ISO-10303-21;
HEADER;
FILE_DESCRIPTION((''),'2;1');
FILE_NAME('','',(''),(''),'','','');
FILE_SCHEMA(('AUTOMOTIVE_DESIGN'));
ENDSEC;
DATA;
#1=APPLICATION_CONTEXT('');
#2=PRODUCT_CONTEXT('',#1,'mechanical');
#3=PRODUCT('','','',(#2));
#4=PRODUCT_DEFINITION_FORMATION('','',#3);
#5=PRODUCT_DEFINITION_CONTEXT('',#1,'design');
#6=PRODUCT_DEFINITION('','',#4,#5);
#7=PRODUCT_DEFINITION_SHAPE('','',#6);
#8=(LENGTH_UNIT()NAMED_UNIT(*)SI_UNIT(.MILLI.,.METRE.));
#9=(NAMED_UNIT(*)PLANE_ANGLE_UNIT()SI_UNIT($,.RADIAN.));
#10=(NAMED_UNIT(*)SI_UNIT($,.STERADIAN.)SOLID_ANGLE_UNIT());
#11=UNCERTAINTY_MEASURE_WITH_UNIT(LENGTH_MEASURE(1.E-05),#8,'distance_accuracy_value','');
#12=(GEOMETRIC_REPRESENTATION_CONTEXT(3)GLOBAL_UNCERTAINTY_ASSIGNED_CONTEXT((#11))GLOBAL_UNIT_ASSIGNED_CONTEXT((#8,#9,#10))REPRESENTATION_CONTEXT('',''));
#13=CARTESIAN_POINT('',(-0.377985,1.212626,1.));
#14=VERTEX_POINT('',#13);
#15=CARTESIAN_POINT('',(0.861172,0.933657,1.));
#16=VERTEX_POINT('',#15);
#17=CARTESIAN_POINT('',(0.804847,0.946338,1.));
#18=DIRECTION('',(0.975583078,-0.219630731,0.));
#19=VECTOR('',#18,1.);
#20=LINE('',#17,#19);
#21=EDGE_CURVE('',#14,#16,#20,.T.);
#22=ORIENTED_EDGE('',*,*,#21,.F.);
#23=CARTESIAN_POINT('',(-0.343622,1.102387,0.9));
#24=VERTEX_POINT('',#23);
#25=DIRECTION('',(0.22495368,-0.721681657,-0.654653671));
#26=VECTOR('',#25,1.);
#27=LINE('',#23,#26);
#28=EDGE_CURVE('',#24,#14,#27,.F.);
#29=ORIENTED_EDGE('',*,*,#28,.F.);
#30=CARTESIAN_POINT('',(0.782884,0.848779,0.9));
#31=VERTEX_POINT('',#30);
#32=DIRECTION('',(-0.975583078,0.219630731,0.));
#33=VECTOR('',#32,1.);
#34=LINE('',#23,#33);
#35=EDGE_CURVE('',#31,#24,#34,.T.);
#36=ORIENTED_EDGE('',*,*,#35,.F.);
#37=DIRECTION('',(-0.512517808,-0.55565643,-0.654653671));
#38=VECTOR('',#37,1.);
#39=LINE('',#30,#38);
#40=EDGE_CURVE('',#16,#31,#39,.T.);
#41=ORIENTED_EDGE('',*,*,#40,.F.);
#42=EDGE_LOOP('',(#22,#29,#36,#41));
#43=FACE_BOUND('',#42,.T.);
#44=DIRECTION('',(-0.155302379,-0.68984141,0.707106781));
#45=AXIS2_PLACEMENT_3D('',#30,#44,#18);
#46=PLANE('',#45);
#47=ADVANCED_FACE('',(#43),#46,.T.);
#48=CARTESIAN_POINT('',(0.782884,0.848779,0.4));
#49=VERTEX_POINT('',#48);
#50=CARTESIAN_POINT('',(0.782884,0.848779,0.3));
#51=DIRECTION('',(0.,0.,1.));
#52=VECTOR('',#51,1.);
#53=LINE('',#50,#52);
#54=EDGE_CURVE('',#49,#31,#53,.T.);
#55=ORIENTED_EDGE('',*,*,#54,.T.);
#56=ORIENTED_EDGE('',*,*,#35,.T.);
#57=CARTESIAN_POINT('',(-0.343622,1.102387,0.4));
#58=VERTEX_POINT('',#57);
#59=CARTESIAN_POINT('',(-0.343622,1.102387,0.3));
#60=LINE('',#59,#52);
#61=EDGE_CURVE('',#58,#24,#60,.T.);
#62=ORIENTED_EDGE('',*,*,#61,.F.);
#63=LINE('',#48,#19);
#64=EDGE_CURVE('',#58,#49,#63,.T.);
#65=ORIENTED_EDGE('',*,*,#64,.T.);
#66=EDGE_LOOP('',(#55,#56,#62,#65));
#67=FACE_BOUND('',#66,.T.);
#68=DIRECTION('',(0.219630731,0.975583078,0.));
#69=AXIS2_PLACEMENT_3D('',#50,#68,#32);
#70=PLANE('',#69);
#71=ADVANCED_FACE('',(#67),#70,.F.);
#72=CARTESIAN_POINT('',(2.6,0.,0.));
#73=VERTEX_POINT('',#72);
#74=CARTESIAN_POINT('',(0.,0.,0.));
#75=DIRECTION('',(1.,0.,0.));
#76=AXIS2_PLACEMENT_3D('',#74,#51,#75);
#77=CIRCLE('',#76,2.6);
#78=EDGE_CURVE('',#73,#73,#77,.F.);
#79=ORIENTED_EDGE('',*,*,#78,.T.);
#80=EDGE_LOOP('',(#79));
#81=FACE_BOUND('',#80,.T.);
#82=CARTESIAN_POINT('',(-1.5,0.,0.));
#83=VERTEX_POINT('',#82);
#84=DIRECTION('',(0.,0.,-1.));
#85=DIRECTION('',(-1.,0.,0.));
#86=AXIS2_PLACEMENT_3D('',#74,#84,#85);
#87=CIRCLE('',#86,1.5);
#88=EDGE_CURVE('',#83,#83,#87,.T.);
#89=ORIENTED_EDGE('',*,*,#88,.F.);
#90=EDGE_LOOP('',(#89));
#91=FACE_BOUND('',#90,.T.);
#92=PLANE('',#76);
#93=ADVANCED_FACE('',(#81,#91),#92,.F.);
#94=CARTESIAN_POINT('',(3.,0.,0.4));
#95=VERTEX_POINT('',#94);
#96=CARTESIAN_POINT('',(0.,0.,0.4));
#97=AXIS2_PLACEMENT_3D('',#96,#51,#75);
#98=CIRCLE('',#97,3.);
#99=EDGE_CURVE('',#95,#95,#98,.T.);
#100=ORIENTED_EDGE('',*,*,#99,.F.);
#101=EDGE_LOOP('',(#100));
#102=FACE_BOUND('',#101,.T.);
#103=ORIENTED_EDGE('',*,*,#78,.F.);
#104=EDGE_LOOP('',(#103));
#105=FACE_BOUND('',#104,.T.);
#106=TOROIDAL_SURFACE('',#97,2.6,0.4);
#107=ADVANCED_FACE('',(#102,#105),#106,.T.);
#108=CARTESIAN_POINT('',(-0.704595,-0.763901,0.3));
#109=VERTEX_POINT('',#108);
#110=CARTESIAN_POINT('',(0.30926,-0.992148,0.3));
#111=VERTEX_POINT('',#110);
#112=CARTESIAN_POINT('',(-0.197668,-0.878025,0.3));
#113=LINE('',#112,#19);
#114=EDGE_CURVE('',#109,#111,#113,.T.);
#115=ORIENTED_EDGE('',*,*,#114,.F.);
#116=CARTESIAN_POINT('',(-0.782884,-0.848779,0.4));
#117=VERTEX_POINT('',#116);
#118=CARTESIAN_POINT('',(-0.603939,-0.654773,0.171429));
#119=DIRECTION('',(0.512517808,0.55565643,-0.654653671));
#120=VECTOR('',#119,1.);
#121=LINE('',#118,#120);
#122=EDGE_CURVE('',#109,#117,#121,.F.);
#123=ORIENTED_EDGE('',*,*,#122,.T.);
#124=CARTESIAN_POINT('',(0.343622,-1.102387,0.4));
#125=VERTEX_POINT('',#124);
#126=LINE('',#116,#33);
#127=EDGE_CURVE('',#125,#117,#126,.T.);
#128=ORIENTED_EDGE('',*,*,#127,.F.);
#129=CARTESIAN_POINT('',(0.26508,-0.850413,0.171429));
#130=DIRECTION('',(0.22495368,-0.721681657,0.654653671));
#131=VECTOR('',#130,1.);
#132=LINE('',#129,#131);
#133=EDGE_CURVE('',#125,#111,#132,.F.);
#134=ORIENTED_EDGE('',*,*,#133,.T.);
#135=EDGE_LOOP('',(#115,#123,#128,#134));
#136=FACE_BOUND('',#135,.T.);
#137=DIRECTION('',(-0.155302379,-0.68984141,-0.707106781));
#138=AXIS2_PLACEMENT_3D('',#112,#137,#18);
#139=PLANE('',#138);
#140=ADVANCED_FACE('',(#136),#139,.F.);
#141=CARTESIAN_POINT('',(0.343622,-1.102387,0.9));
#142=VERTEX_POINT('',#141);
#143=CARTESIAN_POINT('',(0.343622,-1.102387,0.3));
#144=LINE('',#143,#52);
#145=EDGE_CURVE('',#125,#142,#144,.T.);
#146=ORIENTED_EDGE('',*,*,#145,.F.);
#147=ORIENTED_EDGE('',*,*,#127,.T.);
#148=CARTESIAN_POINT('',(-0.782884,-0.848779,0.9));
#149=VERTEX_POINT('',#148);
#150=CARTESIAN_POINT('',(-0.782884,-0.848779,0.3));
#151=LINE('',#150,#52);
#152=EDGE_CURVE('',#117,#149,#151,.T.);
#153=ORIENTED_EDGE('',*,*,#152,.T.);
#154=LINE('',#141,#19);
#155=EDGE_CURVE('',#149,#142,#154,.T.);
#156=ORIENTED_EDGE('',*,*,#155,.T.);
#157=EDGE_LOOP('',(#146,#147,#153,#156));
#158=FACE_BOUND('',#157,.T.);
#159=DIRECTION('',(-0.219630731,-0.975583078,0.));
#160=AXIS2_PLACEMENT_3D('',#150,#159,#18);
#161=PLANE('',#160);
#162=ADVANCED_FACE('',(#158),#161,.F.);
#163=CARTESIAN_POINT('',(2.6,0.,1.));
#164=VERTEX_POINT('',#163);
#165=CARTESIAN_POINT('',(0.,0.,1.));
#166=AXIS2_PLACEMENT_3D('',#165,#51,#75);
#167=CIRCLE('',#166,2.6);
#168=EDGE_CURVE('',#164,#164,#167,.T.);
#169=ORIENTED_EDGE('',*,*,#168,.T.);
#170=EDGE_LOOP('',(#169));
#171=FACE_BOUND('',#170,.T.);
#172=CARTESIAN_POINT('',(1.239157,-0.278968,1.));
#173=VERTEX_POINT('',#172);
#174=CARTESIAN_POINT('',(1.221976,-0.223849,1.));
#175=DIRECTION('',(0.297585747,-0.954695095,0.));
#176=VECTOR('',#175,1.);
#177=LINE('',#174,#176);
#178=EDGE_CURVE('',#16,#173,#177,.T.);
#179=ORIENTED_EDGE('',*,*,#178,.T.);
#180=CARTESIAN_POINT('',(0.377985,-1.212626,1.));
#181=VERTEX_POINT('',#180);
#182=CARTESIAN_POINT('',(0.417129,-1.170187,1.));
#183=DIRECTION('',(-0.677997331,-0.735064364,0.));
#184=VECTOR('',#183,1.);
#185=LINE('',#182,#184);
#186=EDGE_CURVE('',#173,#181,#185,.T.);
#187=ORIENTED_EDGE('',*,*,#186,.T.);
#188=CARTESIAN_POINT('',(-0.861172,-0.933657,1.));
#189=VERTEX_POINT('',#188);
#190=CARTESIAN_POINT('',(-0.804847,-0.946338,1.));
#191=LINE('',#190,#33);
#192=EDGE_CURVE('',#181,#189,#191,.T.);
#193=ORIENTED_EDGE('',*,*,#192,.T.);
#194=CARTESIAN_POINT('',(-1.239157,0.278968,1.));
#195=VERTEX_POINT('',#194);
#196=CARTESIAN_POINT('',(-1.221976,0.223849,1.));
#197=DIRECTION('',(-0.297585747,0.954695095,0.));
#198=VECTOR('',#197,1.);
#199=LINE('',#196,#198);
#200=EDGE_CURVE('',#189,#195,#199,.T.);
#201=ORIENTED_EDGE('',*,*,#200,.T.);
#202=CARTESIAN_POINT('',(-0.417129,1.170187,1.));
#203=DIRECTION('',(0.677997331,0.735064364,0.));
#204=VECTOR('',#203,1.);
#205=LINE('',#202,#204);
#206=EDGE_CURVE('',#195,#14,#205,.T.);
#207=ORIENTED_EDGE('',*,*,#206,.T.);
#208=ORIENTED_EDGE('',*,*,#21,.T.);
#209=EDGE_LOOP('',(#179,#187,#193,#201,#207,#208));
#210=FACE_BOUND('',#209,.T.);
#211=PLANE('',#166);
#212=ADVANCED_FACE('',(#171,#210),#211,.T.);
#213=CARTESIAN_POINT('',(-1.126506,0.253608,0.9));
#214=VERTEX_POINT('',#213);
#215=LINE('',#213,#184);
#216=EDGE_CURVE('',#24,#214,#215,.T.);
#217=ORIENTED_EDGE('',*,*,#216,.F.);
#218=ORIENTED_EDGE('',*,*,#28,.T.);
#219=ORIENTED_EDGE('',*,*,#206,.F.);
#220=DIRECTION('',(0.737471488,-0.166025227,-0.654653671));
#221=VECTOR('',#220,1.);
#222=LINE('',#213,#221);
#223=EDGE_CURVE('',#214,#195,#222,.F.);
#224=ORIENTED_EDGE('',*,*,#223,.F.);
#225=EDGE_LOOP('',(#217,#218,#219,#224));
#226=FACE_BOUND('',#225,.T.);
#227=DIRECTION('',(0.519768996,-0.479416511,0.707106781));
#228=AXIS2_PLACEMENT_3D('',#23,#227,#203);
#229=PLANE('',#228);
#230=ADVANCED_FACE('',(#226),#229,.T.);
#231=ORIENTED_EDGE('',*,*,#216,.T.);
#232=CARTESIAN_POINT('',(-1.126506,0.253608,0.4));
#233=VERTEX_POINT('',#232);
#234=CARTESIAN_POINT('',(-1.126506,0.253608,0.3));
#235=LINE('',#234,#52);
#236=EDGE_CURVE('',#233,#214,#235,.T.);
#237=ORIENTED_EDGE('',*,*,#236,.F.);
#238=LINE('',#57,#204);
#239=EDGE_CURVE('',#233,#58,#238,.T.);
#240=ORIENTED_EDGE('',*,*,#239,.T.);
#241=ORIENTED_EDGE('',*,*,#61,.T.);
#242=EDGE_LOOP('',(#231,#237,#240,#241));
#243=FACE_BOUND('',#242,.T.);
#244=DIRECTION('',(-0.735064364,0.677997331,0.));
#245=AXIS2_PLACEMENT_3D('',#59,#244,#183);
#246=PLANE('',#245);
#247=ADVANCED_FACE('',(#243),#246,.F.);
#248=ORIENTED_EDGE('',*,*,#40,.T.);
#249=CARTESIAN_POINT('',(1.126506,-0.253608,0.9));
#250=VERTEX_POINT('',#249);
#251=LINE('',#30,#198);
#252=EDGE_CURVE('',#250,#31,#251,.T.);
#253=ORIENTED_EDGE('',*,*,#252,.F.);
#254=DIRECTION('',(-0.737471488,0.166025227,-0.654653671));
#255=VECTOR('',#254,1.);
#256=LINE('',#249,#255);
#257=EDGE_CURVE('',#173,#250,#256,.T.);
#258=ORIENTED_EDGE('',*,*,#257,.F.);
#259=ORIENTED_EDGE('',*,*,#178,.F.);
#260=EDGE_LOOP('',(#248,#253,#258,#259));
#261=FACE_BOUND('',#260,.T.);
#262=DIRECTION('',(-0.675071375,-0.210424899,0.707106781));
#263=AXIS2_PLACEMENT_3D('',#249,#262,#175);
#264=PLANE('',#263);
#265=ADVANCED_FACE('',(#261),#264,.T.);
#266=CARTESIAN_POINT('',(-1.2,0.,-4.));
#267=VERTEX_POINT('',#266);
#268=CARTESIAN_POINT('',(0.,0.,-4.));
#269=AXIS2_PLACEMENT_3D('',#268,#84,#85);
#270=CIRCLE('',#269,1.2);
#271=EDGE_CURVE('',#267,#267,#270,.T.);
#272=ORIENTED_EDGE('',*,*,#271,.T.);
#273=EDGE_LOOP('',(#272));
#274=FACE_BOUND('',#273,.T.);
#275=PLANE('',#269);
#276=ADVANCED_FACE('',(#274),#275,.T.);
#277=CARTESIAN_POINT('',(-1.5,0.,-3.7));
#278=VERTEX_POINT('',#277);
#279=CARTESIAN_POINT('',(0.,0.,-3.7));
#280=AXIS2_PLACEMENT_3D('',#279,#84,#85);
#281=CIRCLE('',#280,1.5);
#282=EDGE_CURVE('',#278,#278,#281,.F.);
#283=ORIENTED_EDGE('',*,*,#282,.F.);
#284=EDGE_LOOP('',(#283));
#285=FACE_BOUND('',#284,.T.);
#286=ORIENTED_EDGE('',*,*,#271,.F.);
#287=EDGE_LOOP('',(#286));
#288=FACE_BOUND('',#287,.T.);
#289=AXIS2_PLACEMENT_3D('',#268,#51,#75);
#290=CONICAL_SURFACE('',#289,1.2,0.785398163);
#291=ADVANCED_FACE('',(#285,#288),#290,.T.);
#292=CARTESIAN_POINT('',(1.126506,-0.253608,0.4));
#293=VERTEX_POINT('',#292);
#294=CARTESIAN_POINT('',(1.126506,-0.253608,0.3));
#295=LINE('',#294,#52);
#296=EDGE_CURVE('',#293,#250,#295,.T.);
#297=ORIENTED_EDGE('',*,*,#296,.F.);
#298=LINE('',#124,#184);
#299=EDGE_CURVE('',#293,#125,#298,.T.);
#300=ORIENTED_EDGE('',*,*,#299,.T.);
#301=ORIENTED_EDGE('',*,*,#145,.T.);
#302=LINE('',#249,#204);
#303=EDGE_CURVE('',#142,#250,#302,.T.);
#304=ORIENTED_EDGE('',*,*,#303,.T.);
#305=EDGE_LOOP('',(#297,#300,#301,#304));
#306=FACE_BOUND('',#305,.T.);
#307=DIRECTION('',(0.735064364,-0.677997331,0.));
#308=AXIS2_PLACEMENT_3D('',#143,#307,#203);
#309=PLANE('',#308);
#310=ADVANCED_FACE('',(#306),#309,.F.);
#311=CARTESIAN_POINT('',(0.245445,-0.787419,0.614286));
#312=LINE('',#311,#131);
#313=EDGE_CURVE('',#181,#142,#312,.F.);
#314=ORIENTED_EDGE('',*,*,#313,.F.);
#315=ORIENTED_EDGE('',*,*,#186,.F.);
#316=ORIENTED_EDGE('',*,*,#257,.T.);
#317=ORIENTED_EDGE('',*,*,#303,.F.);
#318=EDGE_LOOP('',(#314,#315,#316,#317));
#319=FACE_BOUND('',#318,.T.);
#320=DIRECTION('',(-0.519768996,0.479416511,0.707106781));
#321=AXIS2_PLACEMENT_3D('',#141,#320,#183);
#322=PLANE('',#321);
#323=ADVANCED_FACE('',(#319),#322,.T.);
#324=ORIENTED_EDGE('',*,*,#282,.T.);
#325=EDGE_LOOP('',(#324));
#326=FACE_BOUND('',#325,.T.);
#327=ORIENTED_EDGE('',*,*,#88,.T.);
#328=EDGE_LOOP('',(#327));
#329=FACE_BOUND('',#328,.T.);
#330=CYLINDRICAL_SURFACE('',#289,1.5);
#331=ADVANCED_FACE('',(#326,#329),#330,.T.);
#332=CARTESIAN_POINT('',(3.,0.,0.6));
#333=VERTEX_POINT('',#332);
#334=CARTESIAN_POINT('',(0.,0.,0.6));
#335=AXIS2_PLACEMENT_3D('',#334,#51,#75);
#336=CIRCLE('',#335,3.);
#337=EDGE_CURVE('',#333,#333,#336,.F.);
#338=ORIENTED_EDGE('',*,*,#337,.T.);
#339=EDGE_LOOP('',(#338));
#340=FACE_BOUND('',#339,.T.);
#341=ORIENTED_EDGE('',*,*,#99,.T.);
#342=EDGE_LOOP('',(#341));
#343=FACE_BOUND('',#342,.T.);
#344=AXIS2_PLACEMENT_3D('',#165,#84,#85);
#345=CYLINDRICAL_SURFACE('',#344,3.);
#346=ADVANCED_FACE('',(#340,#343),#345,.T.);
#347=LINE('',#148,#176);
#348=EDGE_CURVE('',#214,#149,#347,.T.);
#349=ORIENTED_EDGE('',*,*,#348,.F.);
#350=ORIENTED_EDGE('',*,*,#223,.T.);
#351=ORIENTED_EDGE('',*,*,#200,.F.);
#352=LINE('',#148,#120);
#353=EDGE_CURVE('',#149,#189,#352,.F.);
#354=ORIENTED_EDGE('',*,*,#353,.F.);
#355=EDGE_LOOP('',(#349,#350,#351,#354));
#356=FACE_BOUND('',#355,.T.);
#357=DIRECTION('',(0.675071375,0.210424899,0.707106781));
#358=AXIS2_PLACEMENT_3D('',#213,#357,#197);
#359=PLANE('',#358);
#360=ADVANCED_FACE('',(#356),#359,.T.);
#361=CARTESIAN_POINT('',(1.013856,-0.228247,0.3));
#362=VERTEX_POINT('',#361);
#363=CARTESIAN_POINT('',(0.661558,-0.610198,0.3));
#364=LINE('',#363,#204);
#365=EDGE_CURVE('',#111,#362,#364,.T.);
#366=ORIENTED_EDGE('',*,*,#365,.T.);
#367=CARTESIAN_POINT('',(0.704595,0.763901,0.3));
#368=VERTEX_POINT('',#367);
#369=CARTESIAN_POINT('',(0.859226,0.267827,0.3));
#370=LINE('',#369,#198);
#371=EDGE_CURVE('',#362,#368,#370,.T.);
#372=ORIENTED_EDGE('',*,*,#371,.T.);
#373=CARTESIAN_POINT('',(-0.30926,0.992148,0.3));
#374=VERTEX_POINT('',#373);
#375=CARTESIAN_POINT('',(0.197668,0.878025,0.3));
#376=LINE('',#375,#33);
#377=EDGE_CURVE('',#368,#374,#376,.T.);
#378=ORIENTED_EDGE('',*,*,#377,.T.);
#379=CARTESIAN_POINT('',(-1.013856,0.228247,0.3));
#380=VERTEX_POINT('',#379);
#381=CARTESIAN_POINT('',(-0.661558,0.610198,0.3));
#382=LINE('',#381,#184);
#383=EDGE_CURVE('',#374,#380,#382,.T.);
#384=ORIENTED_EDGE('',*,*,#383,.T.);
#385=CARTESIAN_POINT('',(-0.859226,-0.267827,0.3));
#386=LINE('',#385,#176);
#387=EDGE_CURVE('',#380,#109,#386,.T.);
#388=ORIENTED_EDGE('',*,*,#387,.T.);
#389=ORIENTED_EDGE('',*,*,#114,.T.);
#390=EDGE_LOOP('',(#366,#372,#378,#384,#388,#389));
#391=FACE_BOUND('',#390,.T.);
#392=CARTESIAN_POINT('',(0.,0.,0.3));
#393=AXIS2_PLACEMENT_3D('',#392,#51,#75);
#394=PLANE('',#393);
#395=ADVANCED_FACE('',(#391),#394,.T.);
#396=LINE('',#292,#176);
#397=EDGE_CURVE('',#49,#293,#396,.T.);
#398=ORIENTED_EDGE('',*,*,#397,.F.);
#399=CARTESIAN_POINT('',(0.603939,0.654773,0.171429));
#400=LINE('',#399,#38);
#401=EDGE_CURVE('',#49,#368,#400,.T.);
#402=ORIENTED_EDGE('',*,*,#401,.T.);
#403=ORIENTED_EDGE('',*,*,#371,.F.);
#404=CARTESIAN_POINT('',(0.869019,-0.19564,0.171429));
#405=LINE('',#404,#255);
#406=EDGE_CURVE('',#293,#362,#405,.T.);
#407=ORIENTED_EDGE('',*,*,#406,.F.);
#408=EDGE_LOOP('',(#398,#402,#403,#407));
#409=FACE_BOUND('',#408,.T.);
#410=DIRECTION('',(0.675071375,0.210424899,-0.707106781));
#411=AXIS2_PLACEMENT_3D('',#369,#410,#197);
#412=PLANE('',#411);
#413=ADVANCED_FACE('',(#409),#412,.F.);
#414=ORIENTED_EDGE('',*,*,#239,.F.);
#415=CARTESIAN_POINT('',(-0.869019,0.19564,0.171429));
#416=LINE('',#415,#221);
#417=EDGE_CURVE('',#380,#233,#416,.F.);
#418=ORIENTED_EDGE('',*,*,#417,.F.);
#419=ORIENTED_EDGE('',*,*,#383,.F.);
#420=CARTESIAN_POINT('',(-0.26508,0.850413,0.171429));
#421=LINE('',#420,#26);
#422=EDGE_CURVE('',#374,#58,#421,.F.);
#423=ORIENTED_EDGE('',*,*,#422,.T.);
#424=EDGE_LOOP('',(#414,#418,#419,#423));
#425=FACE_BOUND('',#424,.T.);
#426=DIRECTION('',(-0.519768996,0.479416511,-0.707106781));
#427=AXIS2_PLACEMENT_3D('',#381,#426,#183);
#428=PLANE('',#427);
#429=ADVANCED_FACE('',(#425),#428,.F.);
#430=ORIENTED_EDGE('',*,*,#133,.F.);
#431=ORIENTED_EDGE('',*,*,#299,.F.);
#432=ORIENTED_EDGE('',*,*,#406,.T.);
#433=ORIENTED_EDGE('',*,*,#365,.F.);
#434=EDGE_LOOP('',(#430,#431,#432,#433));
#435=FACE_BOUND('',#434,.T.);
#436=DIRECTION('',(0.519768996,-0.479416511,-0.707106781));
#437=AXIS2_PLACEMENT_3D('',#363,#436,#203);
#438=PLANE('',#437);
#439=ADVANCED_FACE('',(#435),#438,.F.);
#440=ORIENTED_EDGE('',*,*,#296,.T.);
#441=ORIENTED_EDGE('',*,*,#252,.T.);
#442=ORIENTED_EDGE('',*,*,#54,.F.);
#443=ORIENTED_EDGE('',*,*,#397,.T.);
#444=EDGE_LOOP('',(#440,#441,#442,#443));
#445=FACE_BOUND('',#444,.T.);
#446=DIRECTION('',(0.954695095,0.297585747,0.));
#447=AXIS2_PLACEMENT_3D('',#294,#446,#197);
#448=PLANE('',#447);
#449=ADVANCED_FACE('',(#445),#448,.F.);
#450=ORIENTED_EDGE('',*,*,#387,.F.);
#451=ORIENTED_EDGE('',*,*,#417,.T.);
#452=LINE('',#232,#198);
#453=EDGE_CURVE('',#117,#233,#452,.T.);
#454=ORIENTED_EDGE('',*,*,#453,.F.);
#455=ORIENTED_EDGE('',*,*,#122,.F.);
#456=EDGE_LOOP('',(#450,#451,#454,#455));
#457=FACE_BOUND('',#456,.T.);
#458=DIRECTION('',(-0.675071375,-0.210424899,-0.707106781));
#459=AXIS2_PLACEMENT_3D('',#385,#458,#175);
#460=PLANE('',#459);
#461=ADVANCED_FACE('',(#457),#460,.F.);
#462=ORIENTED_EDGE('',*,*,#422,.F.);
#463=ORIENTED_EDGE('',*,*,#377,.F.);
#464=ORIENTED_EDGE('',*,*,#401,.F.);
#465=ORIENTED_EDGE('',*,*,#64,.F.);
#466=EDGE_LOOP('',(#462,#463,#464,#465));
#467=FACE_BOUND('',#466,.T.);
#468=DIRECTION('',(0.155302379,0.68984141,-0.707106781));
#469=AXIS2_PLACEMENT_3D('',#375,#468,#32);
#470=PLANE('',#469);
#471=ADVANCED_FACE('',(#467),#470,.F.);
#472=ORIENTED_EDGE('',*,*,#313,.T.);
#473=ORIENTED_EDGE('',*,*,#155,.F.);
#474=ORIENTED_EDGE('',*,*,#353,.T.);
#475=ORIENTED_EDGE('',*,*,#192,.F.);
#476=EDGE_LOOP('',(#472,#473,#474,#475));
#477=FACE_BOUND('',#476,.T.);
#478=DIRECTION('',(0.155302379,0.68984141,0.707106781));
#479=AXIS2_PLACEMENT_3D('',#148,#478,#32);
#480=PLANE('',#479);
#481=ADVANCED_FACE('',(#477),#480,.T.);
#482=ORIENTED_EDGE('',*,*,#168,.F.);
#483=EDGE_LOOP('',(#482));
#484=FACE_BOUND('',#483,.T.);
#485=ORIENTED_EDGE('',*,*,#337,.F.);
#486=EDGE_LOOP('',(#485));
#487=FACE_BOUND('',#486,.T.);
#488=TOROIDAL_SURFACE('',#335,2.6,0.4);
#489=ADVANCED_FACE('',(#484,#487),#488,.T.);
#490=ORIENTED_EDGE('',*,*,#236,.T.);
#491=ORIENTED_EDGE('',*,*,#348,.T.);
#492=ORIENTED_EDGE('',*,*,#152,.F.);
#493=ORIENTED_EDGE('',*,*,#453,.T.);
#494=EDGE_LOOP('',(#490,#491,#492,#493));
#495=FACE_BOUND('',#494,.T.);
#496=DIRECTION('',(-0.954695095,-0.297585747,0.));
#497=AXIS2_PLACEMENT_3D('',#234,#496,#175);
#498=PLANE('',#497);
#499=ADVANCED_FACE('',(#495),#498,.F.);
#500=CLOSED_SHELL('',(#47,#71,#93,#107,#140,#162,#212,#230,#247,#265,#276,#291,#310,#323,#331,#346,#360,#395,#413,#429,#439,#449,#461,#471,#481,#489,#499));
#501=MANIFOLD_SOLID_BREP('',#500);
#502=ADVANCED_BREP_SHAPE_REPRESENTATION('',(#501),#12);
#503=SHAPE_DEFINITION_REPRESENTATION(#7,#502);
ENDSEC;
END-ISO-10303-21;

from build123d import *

# Parameters (mm, degrees)
SKETCH_1_R          = 3
EXTRUDE_1_DEPTH     = 1
SKETCH_2_R          = 1.5
EXTRUDE_2_DEPTH     = 4
FILLET_1_R          = 0.4
CUT_EXTRUDE_1_DEPTH = 0.7
CHAMFER_1_SIZE      = 0.1
CHAMFER_2_SIZE      = 0.3


with BuildPart() as part:
    # 草图1 → 凸台-拉伸1 (new body)
    with BuildSketch(Plane.XY):
        Circle(SKETCH_1_R)
    extrude(amount=EXTRUDE_1_DEPTH)

    # 草图2 → 凸台-拉伸2 (add)
    with BuildSketch(Plane(origin=(0, 0, 0), x_dir=(-1, 0, 0), z_dir=(0, 0, -1))):
        Circle(SKETCH_2_R)
    extrude(amount=EXTRUDE_2_DEPTH)

    # 圆角1
    fillet_1_edges = [part.edges().sort_by_distance(p)[0] for p in [
        (-3, 0, 0),
        (-3, 0, 1),
    ]]
    fillet(fillet_1_edges, radius=FILLET_1_R)

    # 草图3 → 切除-拉伸1 (cut)
    with BuildSketch(Plane.XY.offset(1)):
        Polygon((0.343622422, -1.10238694), (1.126506305, -0.253607723), (0.782883884, 0.848779216), (-0.343622422, 1.10238694), (-1.126506305, 0.253607723), (-0.782883884, -0.848779216), align=None)
    extrude(amount=-CUT_EXTRUDE_1_DEPTH, mode=Mode.SUBTRACT)

    # 倒角1
    chamfer_1_edges = [part.edges().sort_by_distance(p)[0] for p in [
        (-0.219630731, -0.975583078, 0.3),
        (-0.954695095, -0.297585747, 0.3),
        (-0.735064364, 0.677997331, 0.3),
        (0.219630731, 0.975583078, 0.3),
        (0.954695095, 0.297585747, 0.3),
        (0.735064364, -0.677997331, 0.3),
        (-0.219630731, -0.975583078, 1),
        (0.735064364, -0.677997331, 1),
        (0.954695095, 0.297585747, 1),
        (0.219630731, 0.975583078, 1),
        (-0.735064364, 0.677997331, 1),
        (-0.954695095, -0.297585747, 1),
    ]]
    chamfer(chamfer_1_edges, length=CHAMFER_1_SIZE)

    # 倒角2
    chamfer_2_edges = [part.edges().sort_by_distance(p)[0] for p in [
        (1.5, 0, -4),
    ]]
    chamfer(chamfer_2_edges, length=CHAMFER_2_SIZE)


solid = part.part
